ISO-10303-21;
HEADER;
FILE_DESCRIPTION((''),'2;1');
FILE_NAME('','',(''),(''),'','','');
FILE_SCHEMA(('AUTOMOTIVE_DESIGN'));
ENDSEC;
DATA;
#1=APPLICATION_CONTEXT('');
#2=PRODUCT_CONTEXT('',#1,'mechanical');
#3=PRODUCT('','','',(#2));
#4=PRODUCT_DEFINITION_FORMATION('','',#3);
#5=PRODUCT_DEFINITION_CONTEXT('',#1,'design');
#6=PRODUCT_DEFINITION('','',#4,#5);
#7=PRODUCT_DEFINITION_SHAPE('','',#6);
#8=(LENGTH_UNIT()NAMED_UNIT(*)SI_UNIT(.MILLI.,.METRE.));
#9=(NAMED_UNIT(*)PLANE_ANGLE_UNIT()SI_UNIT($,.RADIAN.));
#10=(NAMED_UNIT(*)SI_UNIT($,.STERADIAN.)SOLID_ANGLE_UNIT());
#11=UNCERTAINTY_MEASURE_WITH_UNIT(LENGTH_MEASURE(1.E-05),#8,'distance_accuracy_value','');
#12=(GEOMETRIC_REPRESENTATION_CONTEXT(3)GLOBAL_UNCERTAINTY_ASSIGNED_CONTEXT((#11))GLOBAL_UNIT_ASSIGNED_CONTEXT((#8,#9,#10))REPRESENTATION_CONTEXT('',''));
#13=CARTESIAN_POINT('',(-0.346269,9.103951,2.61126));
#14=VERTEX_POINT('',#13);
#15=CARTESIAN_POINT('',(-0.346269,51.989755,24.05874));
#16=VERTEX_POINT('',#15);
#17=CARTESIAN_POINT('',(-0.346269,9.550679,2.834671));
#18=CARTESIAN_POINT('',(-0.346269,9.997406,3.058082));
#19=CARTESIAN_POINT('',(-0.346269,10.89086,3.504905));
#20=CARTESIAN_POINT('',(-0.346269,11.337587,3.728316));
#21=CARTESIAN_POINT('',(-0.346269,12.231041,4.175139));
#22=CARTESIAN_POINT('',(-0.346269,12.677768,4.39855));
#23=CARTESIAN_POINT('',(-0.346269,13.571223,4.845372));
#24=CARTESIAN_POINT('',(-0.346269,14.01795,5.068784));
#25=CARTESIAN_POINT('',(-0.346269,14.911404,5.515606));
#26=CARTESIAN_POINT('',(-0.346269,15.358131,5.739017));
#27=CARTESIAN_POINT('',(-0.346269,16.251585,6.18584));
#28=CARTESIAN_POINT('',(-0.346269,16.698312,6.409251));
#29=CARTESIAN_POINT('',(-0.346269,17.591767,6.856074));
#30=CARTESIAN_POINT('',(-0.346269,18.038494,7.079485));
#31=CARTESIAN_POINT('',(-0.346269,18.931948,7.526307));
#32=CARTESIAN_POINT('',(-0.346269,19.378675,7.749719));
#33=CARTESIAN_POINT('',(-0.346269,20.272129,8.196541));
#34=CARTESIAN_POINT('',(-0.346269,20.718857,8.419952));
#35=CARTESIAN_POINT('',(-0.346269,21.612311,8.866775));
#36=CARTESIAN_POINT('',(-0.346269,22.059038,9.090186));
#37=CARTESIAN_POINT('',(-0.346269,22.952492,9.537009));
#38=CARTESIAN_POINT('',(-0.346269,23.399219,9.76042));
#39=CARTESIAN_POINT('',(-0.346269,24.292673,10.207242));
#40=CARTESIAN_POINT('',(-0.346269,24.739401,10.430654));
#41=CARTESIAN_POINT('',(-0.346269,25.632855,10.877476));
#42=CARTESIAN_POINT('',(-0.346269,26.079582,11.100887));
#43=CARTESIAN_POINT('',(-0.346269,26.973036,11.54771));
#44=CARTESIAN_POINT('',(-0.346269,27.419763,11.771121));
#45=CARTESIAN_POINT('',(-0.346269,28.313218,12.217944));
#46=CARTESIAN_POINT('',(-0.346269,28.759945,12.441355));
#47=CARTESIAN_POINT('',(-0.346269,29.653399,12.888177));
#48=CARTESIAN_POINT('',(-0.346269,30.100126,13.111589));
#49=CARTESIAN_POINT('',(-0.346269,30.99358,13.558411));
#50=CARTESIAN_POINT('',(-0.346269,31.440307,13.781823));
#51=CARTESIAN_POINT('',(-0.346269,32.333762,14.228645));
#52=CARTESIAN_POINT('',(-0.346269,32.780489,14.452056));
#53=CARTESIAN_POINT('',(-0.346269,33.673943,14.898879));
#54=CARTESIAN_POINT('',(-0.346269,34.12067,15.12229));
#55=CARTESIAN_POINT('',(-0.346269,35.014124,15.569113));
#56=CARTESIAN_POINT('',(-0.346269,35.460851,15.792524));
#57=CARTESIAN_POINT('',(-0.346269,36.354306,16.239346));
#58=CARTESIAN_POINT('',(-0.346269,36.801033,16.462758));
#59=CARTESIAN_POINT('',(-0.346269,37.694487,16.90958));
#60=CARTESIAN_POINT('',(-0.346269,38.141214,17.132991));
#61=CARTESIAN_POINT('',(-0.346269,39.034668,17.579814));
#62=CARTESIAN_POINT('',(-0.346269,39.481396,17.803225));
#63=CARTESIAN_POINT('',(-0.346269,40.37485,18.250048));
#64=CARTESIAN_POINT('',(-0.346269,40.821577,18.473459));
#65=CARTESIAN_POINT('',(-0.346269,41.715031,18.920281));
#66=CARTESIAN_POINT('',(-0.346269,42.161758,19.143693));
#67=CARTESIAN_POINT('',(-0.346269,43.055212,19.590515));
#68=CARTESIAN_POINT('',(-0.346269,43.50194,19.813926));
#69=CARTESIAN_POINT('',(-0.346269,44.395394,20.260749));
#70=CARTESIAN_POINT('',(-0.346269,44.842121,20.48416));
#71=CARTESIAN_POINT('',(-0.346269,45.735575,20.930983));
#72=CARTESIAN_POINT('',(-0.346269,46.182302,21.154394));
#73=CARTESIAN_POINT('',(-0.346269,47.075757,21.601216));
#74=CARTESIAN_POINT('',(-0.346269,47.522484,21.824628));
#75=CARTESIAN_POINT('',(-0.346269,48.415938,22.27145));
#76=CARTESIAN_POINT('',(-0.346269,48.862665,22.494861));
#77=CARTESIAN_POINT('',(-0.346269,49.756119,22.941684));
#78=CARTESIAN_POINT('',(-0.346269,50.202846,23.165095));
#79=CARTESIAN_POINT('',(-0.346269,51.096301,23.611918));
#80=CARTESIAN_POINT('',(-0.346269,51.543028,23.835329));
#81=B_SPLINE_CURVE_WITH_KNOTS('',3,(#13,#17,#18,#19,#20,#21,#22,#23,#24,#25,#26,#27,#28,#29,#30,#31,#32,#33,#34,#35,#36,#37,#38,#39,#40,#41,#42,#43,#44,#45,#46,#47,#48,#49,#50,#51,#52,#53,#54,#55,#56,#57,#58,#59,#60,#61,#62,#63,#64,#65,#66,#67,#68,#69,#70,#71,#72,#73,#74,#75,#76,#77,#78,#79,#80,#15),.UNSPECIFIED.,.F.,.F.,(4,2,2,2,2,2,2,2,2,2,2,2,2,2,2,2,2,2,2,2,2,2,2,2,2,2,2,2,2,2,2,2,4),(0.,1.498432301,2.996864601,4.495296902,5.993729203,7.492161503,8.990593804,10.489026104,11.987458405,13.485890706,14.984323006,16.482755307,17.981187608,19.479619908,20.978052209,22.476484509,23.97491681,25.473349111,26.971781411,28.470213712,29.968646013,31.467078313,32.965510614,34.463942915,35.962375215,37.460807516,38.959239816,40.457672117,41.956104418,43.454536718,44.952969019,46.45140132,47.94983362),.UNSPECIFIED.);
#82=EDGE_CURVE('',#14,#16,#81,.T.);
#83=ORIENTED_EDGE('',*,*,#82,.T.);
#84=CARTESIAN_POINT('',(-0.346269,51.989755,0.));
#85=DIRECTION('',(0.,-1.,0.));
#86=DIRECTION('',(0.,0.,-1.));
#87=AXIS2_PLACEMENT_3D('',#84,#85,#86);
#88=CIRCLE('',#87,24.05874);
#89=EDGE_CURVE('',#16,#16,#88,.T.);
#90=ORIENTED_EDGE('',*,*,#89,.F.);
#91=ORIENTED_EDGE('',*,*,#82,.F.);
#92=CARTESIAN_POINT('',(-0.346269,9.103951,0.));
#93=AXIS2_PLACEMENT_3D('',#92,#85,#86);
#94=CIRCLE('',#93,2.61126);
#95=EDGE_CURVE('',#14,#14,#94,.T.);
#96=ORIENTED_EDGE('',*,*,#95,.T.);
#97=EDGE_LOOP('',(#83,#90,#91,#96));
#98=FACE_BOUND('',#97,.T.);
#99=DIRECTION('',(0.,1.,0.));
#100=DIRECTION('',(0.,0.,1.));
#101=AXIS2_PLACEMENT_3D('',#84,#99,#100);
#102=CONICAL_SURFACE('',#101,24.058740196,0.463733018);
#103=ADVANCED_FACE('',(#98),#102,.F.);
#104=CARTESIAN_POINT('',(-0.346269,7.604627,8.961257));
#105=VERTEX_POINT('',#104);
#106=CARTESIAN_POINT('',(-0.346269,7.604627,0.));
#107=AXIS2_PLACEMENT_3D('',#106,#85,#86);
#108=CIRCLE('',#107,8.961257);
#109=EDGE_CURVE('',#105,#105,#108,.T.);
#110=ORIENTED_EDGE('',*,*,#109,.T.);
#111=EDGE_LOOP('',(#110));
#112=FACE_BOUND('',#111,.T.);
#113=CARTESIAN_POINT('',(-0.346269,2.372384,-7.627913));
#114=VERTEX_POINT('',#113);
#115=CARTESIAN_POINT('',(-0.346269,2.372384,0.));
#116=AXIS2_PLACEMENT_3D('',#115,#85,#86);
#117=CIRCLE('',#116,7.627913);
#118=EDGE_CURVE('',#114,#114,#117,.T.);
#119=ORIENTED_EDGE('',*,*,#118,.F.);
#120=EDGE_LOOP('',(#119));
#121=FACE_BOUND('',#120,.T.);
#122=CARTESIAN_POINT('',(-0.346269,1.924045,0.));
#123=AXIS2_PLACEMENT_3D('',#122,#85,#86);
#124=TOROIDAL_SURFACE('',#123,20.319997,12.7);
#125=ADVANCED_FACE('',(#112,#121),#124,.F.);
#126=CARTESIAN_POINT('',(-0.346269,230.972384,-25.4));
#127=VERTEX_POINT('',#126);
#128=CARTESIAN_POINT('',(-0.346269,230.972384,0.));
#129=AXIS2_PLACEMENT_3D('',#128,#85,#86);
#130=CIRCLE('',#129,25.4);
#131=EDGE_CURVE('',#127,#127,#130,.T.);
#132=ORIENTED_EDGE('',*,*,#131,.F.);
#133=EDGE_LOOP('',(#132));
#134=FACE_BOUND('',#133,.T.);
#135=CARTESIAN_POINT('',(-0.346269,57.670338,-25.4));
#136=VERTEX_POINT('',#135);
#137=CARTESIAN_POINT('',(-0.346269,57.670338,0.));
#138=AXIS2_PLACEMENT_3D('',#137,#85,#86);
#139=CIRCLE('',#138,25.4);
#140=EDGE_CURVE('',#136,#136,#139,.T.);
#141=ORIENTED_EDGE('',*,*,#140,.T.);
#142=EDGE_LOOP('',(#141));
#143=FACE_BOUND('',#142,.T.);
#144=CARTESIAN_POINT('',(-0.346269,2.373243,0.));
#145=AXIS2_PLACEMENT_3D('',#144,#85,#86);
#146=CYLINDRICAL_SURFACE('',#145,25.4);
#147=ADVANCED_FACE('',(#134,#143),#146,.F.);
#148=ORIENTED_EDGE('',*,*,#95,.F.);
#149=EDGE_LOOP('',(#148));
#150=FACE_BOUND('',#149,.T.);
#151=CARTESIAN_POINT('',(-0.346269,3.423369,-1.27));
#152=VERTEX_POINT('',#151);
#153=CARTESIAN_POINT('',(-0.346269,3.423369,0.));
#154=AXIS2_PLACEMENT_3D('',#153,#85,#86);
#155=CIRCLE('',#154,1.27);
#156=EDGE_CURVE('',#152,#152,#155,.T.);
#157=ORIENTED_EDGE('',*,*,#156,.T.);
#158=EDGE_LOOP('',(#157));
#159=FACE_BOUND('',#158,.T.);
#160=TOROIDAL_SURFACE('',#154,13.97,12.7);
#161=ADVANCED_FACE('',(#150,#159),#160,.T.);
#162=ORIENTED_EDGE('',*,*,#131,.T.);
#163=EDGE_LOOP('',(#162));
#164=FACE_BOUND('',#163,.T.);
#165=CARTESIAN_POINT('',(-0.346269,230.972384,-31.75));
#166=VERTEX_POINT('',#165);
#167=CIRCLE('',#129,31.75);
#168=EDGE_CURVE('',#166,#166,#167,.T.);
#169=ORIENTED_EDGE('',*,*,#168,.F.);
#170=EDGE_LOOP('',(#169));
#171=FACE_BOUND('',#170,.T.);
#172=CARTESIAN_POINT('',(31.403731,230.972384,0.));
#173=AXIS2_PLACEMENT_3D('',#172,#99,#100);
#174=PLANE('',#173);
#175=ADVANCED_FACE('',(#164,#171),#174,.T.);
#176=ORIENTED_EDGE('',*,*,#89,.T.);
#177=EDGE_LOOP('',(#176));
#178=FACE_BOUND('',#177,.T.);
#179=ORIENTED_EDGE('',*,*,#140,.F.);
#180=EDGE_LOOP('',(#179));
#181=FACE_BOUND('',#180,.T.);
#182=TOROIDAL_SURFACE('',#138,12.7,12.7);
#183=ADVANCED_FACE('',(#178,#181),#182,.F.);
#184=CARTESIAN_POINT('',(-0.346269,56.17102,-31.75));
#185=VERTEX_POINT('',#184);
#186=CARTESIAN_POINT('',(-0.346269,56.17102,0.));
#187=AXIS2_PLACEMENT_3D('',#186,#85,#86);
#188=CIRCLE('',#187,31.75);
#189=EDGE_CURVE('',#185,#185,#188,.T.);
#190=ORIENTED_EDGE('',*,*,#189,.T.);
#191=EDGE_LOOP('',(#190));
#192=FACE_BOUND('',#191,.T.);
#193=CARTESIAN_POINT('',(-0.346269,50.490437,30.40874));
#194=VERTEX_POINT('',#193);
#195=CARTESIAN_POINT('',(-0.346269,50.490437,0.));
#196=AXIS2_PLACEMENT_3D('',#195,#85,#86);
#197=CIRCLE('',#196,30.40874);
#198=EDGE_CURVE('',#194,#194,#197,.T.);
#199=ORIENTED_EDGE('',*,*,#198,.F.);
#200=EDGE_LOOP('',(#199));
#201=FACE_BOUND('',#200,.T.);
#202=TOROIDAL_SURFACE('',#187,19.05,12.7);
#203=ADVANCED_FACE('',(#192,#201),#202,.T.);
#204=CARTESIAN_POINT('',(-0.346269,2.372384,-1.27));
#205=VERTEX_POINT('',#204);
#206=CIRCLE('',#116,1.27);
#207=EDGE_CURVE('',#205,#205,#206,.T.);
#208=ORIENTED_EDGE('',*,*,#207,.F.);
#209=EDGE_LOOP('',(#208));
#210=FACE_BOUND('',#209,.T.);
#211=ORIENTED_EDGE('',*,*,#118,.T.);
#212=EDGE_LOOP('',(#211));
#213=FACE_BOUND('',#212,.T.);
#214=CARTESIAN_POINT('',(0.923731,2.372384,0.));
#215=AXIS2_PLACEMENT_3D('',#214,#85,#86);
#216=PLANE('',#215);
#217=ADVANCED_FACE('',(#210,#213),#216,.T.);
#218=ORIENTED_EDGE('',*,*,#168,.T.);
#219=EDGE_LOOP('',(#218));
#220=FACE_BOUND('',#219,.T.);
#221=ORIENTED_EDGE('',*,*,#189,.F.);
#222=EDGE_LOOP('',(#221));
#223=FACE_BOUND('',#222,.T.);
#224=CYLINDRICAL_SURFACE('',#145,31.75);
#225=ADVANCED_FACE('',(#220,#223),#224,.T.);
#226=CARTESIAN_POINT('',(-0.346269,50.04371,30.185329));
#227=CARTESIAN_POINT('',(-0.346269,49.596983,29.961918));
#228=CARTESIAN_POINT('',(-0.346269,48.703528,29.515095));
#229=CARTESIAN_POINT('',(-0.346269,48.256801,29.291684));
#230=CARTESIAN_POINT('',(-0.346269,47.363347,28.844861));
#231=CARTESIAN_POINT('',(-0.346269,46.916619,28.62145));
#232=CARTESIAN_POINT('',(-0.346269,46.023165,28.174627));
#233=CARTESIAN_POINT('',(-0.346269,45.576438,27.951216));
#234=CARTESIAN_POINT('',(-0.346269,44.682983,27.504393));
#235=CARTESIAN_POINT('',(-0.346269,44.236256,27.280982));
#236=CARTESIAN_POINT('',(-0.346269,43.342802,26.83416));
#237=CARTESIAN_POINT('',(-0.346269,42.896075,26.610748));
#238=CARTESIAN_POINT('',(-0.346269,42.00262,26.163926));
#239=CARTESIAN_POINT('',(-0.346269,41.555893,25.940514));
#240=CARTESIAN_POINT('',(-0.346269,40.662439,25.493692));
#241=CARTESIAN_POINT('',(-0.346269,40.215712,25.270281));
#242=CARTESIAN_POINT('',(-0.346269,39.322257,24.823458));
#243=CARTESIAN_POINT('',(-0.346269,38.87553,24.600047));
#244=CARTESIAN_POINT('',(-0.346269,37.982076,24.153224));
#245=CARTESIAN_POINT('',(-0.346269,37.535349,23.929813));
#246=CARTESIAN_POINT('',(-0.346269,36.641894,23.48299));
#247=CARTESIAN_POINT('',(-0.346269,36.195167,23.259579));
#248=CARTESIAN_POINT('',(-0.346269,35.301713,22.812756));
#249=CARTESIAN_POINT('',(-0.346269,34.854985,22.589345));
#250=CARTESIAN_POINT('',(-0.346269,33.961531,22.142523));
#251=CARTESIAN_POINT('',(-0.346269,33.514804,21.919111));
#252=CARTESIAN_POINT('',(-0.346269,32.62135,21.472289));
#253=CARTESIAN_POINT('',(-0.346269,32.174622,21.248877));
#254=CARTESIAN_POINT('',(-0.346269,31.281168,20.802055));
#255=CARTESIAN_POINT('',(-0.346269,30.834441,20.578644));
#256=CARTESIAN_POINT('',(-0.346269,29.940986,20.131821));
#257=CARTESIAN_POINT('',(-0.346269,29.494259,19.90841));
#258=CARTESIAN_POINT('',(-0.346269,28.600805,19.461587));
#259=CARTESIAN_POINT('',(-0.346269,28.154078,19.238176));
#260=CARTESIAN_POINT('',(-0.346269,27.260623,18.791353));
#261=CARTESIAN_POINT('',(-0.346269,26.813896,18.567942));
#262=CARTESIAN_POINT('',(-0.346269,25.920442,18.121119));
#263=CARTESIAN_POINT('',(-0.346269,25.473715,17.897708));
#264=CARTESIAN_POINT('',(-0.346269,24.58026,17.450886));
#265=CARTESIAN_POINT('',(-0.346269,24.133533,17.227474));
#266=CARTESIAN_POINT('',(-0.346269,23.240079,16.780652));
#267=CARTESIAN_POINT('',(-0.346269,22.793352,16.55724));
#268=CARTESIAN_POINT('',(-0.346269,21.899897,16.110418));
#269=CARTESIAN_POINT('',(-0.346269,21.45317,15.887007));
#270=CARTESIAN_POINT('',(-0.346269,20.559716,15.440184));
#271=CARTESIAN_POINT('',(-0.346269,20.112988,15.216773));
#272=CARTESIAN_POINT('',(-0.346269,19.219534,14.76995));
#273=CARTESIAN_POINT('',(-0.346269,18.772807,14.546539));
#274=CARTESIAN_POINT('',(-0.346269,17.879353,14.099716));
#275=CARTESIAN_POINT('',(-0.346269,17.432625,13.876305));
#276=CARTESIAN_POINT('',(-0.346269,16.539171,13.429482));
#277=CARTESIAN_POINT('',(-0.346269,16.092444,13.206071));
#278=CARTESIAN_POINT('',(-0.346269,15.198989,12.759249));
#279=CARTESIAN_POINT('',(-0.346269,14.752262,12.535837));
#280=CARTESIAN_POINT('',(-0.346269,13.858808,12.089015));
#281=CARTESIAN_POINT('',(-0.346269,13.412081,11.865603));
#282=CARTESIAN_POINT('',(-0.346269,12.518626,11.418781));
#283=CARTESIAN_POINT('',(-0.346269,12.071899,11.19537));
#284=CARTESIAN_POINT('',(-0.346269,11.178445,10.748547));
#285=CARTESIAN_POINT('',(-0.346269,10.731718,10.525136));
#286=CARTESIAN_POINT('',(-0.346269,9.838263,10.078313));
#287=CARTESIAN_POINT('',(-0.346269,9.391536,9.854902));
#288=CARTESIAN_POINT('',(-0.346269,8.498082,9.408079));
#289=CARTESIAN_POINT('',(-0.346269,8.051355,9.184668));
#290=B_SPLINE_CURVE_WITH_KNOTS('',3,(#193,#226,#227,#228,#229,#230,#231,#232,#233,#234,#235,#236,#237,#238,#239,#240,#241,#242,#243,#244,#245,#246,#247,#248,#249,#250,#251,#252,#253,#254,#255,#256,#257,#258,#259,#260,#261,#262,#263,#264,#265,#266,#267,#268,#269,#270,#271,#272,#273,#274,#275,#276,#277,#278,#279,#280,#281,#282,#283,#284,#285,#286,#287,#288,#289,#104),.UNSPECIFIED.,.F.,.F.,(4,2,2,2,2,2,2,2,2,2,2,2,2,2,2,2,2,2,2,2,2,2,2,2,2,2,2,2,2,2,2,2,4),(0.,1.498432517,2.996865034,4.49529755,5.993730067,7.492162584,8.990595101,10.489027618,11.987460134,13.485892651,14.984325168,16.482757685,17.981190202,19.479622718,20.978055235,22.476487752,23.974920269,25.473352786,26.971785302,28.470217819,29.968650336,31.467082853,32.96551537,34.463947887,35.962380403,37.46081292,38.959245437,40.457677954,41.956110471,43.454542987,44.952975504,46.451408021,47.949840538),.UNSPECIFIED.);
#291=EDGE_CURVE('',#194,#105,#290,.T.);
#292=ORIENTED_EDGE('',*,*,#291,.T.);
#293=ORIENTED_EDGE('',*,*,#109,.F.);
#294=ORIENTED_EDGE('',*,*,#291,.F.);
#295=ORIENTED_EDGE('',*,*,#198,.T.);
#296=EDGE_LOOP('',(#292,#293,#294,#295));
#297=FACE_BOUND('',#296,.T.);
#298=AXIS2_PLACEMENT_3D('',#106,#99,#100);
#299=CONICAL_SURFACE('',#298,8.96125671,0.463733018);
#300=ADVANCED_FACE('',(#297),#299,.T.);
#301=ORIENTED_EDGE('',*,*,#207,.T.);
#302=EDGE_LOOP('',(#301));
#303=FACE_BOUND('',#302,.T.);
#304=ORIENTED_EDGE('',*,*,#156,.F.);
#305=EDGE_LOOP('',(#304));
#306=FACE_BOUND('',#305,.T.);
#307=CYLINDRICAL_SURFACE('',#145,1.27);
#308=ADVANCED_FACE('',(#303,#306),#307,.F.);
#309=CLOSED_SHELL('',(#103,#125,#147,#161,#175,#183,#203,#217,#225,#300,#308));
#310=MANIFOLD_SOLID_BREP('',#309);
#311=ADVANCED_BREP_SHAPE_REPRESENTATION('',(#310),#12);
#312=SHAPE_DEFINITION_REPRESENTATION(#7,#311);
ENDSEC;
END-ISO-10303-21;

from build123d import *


with BuildPart() as part:
    # Sketch1 → Revolve1 (revolve)
    with BuildSketch(Plane.XY, mode=Mode.PRIVATE) as revolve1_sk:
        with BuildLine():
            Line((0.923731328, 2.372383803), (7.281644407, 2.372383803))
            ThreePointArc((7.281644407, 2.372383803), (7.667037893, 5.060184318), (8.614988038, 7.604627336))
            Line((8.614988038, 7.604627336), (30.062471525, 50.490436874))
            ThreePointArc((30.062471525, 50.490436874), (31.063868878, 53.252629767), (31.403731328, 56.171019692))
            Line((31.403731328, 56.171019692), (31.403731328, 230.972383803))
            Line((31.403731328, 230.972383803), (25.053731328, 230.972383803))
            Line((25.053731328, 230.972383803), (25.053731328, 57.670337636))
            ThreePointArc((25.053731328, 57.670337636), (24.713868878, 54.751947711), (23.712471525, 51.989754818))
            Line((23.712471525, 51.989754818), (2.264991132, 9.103951467))
            ThreePointArc((2.264991132, 9.103951467), (1.263593779, 6.341758574), (0.923731328, 3.423368649))
            Line((0.923731328, 3.423368649), (0.923731328, 2.372383803))
        make_face()
    revolve(revolve1_sk.sketch.rotate(Axis((-0.346268672, 2.373242664, 0), (0, 1, 0)), 90), axis=Axis((-0.346268672, 2.373242664, 0), (0, 1, 0)))


solid = part.part
